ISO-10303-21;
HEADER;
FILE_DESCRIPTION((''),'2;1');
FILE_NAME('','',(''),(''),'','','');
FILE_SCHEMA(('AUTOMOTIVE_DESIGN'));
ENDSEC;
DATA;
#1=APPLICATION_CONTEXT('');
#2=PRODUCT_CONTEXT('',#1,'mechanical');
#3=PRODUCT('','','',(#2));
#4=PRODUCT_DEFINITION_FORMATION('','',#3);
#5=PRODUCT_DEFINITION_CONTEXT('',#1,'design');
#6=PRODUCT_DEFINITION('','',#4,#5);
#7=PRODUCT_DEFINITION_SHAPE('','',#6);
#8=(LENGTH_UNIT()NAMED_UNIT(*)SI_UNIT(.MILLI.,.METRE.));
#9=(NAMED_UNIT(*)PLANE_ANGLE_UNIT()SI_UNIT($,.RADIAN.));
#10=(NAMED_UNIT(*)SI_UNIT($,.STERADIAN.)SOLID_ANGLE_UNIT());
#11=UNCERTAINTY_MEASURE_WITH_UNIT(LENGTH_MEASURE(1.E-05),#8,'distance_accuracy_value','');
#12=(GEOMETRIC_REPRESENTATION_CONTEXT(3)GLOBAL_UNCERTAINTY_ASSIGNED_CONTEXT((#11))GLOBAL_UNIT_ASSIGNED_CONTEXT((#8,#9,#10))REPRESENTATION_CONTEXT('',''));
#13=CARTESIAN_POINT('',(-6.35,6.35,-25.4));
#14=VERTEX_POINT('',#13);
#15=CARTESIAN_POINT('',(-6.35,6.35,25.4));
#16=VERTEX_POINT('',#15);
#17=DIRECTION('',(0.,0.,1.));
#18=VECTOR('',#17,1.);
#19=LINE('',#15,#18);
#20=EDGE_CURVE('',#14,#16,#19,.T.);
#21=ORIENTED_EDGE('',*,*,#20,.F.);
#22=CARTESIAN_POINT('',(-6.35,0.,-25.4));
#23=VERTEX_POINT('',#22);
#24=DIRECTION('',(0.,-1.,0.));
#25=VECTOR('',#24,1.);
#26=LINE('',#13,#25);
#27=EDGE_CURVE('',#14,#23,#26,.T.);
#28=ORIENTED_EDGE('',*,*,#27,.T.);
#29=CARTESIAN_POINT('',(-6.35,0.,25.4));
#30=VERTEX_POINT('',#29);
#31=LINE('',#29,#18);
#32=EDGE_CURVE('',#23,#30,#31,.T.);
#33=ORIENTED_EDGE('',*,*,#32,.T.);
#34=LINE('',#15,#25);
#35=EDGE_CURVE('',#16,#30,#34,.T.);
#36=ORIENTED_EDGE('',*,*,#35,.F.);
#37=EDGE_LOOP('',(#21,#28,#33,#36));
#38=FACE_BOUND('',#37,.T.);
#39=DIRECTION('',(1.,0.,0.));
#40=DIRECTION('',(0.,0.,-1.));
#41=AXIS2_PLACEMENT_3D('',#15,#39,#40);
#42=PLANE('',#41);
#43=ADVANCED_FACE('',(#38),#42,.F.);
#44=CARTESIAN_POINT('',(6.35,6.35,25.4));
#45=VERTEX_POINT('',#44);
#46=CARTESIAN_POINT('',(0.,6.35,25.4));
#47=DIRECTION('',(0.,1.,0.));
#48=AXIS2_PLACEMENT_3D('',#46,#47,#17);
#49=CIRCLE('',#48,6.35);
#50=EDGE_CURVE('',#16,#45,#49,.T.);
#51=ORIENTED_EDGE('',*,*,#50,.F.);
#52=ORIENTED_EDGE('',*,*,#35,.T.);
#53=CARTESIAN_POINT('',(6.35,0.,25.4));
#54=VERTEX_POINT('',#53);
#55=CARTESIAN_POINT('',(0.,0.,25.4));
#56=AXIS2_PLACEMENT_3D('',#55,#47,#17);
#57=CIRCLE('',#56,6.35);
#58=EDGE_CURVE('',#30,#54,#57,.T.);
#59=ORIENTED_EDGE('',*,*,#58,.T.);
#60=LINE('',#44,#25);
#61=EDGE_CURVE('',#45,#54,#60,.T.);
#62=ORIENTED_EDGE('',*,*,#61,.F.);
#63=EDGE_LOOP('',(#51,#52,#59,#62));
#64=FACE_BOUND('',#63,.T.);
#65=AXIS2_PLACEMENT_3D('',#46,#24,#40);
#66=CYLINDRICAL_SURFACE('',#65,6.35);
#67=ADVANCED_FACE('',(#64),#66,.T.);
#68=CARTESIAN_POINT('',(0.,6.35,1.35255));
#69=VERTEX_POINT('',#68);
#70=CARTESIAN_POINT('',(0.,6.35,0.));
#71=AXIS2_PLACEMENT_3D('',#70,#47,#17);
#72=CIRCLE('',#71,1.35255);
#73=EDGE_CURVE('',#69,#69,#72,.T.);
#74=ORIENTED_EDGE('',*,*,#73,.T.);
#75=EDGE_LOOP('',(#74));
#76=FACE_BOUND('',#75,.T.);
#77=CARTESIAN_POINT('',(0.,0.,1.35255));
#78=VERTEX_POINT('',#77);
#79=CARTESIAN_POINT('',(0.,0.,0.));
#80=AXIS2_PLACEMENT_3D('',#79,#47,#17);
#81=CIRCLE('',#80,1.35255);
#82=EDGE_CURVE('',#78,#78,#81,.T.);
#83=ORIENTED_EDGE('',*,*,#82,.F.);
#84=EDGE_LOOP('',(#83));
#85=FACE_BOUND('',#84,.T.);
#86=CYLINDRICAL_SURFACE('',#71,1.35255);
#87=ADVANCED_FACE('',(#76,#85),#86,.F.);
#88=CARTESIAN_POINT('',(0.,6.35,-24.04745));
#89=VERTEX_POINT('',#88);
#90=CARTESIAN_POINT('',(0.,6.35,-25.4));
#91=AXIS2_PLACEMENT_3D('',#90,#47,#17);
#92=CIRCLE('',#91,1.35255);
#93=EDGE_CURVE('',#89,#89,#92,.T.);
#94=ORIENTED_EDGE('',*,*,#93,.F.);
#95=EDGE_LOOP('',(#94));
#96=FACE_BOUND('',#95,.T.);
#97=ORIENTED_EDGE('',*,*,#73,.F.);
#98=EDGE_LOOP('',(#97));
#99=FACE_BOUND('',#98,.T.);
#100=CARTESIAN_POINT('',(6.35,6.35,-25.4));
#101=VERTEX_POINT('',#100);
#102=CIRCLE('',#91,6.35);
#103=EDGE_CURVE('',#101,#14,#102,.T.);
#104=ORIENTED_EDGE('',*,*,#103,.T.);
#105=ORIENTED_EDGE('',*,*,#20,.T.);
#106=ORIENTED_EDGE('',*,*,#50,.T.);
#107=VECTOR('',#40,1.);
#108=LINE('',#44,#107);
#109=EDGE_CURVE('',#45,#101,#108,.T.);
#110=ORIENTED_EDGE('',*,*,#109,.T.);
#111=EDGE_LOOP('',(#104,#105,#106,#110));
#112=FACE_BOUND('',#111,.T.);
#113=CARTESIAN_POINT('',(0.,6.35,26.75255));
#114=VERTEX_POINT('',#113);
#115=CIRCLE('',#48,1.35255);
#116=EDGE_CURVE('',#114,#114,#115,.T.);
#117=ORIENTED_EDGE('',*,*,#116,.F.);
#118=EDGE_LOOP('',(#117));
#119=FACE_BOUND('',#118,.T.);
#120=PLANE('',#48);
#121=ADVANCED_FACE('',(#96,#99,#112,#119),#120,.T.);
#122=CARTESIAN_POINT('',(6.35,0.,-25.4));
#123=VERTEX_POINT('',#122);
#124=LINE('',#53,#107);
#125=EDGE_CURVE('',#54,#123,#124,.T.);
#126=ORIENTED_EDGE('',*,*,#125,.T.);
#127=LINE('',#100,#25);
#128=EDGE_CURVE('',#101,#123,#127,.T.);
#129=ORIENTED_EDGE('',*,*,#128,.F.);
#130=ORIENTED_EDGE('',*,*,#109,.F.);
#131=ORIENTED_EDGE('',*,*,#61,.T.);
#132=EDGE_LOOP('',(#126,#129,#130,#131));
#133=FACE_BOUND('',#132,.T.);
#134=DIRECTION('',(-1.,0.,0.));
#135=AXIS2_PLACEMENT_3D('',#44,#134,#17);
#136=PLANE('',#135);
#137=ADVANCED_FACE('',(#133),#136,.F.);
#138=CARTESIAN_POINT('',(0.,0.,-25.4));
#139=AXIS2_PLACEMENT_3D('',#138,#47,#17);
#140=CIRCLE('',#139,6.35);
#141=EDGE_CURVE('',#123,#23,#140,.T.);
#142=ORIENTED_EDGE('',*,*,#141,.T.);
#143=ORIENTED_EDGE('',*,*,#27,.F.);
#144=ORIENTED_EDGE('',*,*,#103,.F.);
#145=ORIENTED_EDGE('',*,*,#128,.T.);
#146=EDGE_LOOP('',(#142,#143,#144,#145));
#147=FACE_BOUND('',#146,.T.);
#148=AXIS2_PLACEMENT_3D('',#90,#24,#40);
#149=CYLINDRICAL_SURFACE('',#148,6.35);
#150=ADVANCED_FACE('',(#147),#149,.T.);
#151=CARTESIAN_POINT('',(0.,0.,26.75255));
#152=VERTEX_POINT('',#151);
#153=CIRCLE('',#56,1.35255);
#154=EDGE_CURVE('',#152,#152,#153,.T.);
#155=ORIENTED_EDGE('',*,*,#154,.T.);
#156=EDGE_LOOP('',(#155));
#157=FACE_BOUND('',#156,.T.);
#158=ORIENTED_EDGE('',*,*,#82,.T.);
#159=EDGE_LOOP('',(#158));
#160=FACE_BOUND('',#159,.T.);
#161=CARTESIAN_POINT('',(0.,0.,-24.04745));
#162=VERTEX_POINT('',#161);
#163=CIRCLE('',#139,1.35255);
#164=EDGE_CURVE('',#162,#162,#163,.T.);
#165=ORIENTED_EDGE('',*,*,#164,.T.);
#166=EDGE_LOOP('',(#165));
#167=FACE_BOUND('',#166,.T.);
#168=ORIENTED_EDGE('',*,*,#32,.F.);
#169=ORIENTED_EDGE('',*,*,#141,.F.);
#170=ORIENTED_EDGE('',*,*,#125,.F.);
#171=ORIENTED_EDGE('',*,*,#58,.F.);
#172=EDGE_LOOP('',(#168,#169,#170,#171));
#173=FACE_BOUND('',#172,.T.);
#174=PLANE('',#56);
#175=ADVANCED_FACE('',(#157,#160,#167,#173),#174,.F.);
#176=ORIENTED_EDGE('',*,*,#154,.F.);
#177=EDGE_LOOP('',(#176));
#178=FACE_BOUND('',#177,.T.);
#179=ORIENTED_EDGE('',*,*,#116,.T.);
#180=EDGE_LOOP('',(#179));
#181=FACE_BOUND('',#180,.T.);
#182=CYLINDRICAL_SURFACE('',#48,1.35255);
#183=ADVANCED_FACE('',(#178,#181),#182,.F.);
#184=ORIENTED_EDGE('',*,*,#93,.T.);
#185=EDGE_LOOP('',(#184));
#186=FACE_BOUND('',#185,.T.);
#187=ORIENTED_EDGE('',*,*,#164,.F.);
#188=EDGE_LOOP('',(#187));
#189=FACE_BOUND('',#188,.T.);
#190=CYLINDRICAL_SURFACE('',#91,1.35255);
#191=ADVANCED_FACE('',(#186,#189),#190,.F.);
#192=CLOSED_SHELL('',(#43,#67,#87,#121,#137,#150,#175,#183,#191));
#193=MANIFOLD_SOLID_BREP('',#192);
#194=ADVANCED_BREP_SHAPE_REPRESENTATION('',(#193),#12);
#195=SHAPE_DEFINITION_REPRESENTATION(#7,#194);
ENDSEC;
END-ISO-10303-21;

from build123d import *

# Parameters (mm, degrees)
BOSS_EXTRUDE1_DEPTH   = 6.35
F_6_32_TAPPED_HOLE1_D = 2.7051


with BuildPart() as part:
    # Sketch1 → Boss-Extrude1 (new body)
    with BuildSketch(Plane(origin=(0, 0, 0), x_dir=(1, 0, 0), z_dir=(0, 1, 0))):
        with BuildLine():
            Line((-6.35, -25.4), (-6.35, 25.4))
            ThreePointArc((-6.35, 25.4), (0, 31.75), (6.35, 25.4))
            Line((6.35, 25.4), (6.35, -25.4))
            ThreePointArc((6.35, -25.4), (0, -31.75), (-6.35, -25.4))
        make_face()
    extrude(amount=BOSS_EXTRUDE1_DEPTH)

    # #6-32 Tapped Hole1 (through all)
    with Locations(Plane(origin=(0, 6.35, 0), x_dir=(1, 0, 0), z_dir=(0, 1, 0))):
        with Locations((0, -25.4), (0, 25.4), (0, 0)):
            Hole(F_6_32_TAPPED_HOLE1_D / 2)


solid = part.part
